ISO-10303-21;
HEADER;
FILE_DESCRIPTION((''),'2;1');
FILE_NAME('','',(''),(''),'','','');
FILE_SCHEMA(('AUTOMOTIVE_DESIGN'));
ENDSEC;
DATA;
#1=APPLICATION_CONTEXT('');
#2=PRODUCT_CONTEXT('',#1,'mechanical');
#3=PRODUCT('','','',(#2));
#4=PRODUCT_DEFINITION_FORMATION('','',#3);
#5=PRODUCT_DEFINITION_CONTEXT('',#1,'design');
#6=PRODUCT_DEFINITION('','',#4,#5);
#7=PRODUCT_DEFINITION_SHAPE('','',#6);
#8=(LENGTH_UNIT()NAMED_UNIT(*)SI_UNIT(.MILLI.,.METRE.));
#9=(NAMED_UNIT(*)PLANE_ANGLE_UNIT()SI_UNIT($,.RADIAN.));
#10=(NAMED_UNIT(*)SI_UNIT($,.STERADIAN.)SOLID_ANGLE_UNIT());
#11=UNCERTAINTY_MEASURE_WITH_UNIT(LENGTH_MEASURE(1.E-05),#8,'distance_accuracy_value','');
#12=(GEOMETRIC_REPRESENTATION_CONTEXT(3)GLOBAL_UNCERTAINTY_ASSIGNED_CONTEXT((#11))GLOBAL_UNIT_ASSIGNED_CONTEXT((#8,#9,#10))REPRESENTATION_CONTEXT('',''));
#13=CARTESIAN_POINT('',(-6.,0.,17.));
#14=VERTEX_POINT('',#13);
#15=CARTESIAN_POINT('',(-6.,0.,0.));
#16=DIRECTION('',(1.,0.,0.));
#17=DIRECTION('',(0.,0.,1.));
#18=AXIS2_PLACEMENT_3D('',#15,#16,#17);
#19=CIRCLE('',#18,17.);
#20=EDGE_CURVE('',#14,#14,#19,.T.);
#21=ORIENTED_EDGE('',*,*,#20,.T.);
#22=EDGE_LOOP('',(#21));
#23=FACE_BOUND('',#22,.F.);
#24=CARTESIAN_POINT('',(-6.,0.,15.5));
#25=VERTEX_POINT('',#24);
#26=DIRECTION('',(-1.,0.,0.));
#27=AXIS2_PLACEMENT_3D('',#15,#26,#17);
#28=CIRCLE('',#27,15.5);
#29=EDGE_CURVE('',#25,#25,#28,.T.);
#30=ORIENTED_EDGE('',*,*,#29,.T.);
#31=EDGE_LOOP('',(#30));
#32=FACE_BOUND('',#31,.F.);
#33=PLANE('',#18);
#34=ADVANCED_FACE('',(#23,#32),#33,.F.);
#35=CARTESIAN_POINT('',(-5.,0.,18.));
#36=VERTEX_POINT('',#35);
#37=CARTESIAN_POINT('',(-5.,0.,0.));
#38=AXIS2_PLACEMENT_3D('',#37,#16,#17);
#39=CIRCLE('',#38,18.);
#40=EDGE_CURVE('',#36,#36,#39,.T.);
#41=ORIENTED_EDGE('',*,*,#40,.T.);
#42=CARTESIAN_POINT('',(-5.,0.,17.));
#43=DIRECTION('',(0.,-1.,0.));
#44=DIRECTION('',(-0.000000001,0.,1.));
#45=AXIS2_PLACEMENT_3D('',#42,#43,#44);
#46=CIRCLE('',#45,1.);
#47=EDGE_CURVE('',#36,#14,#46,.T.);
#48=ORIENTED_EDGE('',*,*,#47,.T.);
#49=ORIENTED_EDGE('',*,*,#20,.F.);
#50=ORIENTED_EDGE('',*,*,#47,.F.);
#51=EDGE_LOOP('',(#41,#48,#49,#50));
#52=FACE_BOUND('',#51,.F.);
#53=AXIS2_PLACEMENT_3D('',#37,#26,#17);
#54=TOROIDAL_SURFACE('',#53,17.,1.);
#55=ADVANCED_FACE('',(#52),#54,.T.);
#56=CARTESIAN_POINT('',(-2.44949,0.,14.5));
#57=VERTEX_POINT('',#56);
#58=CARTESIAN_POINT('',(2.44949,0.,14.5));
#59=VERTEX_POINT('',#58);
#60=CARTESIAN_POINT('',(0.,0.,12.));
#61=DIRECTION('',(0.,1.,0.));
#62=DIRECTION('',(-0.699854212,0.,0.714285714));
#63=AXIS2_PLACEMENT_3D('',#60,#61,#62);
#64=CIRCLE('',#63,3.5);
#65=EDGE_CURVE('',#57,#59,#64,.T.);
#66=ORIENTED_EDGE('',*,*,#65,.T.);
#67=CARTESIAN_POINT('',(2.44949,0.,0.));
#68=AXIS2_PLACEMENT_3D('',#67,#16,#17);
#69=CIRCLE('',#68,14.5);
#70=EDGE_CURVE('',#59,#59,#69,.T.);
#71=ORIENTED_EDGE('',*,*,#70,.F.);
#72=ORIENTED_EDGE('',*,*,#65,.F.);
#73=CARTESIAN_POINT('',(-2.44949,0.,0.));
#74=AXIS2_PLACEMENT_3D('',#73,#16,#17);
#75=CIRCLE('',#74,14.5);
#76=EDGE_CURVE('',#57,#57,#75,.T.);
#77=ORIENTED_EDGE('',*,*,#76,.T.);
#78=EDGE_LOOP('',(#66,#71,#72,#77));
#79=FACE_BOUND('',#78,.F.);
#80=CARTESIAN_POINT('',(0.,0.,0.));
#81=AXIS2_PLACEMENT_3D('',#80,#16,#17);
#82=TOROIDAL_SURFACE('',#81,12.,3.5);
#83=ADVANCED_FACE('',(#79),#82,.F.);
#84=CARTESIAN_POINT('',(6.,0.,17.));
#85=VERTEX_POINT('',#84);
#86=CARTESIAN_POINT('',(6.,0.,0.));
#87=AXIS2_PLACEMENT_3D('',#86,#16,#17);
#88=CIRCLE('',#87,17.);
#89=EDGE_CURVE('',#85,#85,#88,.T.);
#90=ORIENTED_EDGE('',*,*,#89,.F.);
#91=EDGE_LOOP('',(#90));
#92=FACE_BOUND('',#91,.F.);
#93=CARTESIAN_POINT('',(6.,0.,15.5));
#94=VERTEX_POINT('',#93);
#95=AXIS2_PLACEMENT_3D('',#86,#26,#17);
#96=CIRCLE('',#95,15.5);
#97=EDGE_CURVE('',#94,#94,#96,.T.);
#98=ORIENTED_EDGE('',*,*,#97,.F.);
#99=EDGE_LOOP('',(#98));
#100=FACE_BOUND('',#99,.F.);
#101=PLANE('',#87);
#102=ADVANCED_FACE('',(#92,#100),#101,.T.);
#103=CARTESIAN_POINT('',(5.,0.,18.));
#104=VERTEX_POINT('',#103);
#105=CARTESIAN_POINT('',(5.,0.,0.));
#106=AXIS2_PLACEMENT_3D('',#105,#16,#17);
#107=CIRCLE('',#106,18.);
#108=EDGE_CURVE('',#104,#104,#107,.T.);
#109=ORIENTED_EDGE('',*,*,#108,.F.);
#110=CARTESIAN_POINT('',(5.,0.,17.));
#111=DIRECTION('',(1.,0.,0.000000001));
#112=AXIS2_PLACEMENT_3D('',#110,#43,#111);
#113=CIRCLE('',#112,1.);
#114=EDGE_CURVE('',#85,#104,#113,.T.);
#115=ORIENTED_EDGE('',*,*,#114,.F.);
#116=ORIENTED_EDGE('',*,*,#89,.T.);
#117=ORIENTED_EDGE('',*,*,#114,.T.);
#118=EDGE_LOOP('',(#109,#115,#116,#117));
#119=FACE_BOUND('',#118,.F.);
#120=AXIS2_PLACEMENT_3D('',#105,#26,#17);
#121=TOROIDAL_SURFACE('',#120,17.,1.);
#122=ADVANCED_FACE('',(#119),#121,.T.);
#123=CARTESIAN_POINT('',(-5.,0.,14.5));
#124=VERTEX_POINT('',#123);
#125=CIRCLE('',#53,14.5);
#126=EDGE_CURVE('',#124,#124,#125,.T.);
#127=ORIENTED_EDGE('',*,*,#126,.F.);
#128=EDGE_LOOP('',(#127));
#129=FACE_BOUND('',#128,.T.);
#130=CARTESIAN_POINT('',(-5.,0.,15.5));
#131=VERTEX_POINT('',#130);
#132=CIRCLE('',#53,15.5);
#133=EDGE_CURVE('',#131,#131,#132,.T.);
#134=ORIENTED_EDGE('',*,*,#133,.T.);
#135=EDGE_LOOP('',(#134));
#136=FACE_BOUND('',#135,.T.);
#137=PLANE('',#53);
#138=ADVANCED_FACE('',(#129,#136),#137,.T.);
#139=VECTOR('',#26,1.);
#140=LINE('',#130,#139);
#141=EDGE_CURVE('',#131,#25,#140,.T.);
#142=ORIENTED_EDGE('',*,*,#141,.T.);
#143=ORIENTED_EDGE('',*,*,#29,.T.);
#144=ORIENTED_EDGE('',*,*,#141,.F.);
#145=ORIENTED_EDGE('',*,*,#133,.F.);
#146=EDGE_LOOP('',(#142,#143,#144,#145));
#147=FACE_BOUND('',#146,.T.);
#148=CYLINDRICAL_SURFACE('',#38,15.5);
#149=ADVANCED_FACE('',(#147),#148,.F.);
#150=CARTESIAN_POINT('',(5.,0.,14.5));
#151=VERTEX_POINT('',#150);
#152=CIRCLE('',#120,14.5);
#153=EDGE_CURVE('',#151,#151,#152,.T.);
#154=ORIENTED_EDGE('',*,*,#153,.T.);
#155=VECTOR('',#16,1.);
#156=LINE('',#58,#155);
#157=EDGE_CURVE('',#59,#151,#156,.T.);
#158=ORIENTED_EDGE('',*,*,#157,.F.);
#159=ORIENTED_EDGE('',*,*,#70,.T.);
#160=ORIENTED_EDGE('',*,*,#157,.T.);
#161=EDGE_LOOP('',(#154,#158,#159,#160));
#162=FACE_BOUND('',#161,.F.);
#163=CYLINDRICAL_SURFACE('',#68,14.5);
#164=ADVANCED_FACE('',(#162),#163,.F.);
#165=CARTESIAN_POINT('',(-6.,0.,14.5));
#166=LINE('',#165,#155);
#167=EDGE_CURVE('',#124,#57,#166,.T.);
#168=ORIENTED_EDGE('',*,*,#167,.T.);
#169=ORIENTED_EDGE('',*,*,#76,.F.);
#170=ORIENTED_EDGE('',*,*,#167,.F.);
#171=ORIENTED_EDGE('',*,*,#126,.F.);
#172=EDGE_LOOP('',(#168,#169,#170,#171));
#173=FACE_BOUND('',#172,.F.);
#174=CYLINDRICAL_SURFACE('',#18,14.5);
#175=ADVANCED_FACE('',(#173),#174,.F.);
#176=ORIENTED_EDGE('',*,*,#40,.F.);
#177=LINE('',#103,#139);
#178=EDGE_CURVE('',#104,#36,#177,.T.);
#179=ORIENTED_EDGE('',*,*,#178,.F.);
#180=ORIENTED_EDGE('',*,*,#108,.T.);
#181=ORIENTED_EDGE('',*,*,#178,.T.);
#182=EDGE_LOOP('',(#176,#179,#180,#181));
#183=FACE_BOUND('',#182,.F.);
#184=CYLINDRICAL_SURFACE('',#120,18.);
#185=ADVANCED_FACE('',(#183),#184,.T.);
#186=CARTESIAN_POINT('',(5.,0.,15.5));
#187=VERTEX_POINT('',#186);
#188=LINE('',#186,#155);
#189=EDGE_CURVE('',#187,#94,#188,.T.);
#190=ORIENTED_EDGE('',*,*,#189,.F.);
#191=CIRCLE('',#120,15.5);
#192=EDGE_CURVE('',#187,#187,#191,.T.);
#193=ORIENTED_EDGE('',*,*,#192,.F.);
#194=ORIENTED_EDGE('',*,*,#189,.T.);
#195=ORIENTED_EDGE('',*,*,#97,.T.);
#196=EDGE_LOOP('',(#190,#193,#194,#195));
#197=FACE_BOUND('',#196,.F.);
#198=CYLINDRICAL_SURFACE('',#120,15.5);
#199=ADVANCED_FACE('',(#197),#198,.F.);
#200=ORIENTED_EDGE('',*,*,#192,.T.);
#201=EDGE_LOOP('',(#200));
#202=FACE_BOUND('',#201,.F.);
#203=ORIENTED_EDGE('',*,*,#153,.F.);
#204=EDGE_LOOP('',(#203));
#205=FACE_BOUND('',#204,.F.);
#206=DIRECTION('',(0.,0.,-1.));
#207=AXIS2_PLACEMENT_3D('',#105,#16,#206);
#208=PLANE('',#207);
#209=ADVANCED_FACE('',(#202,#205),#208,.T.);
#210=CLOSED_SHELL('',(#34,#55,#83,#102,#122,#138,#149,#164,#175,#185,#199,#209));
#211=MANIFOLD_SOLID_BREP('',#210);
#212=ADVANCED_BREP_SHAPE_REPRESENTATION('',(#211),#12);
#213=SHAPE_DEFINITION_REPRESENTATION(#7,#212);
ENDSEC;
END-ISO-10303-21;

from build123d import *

# Parameters (mm, degrees)
CUT_EXTRUDE1_START = -1
SKETCH3_R          = 15.5
SKETCH3_R_2        = 14.5
CUT_EXTRUDE1_DEPTH = 1


with BuildPart() as part:
    # Sketch2 → Revolve1 (revolve)
    with BuildSketch(Plane.XY, mode=Mode.PRIVATE) as revolve1_sk:
        with BuildLine():
            Line((-6, 14.5), (-2.449489743, 14.5))
            ThreePointArc((-2.449489743, 14.5), (0, 15.5), (2.449489743, 14.5))
            Line((2.449489743, 14.5), (6, 14.5))
            Line((6, 14.5), (6, 17))
            ThreePointArc((6, 17), (5.707106781, 17.707106781), (5, 18))
            Line((5, 18), (-5, 18))
            ThreePointArc((-5, 18), (-5.707106781, 17.707106781), (-6, 17))
            Line((-6, 17), (-6, 14.5))
        make_face()
    revolve(revolve1_sk.sketch.rotate(Axis((-6, 0, 0), (1, 0, 0)), 90), axis=Axis((-6, 0, 0), (1, 0, 0)))

    # Sketch3 → Cut-Extrude1 (cut)
    with BuildSketch(Plane.ZY.offset(6).offset(CUT_EXTRUDE1_START)):
        Circle(SKETCH3_R)
        Circle(SKETCH3_R_2, mode=Mode.SUBTRACT)
    cut_extrude1 = extrude(amount=CUT_EXTRUDE1_DEPTH, mode=Mode.SUBTRACT)

    # Mirror1: Cut-Extrude1 across plane
    add(cut_extrude1.mirror(Plane(origin=(0, 0, 0), x_dir=(0, 0, 1), z_dir=(1, 0, 0))), mode=Mode.SUBTRACT)


solid = part.part
